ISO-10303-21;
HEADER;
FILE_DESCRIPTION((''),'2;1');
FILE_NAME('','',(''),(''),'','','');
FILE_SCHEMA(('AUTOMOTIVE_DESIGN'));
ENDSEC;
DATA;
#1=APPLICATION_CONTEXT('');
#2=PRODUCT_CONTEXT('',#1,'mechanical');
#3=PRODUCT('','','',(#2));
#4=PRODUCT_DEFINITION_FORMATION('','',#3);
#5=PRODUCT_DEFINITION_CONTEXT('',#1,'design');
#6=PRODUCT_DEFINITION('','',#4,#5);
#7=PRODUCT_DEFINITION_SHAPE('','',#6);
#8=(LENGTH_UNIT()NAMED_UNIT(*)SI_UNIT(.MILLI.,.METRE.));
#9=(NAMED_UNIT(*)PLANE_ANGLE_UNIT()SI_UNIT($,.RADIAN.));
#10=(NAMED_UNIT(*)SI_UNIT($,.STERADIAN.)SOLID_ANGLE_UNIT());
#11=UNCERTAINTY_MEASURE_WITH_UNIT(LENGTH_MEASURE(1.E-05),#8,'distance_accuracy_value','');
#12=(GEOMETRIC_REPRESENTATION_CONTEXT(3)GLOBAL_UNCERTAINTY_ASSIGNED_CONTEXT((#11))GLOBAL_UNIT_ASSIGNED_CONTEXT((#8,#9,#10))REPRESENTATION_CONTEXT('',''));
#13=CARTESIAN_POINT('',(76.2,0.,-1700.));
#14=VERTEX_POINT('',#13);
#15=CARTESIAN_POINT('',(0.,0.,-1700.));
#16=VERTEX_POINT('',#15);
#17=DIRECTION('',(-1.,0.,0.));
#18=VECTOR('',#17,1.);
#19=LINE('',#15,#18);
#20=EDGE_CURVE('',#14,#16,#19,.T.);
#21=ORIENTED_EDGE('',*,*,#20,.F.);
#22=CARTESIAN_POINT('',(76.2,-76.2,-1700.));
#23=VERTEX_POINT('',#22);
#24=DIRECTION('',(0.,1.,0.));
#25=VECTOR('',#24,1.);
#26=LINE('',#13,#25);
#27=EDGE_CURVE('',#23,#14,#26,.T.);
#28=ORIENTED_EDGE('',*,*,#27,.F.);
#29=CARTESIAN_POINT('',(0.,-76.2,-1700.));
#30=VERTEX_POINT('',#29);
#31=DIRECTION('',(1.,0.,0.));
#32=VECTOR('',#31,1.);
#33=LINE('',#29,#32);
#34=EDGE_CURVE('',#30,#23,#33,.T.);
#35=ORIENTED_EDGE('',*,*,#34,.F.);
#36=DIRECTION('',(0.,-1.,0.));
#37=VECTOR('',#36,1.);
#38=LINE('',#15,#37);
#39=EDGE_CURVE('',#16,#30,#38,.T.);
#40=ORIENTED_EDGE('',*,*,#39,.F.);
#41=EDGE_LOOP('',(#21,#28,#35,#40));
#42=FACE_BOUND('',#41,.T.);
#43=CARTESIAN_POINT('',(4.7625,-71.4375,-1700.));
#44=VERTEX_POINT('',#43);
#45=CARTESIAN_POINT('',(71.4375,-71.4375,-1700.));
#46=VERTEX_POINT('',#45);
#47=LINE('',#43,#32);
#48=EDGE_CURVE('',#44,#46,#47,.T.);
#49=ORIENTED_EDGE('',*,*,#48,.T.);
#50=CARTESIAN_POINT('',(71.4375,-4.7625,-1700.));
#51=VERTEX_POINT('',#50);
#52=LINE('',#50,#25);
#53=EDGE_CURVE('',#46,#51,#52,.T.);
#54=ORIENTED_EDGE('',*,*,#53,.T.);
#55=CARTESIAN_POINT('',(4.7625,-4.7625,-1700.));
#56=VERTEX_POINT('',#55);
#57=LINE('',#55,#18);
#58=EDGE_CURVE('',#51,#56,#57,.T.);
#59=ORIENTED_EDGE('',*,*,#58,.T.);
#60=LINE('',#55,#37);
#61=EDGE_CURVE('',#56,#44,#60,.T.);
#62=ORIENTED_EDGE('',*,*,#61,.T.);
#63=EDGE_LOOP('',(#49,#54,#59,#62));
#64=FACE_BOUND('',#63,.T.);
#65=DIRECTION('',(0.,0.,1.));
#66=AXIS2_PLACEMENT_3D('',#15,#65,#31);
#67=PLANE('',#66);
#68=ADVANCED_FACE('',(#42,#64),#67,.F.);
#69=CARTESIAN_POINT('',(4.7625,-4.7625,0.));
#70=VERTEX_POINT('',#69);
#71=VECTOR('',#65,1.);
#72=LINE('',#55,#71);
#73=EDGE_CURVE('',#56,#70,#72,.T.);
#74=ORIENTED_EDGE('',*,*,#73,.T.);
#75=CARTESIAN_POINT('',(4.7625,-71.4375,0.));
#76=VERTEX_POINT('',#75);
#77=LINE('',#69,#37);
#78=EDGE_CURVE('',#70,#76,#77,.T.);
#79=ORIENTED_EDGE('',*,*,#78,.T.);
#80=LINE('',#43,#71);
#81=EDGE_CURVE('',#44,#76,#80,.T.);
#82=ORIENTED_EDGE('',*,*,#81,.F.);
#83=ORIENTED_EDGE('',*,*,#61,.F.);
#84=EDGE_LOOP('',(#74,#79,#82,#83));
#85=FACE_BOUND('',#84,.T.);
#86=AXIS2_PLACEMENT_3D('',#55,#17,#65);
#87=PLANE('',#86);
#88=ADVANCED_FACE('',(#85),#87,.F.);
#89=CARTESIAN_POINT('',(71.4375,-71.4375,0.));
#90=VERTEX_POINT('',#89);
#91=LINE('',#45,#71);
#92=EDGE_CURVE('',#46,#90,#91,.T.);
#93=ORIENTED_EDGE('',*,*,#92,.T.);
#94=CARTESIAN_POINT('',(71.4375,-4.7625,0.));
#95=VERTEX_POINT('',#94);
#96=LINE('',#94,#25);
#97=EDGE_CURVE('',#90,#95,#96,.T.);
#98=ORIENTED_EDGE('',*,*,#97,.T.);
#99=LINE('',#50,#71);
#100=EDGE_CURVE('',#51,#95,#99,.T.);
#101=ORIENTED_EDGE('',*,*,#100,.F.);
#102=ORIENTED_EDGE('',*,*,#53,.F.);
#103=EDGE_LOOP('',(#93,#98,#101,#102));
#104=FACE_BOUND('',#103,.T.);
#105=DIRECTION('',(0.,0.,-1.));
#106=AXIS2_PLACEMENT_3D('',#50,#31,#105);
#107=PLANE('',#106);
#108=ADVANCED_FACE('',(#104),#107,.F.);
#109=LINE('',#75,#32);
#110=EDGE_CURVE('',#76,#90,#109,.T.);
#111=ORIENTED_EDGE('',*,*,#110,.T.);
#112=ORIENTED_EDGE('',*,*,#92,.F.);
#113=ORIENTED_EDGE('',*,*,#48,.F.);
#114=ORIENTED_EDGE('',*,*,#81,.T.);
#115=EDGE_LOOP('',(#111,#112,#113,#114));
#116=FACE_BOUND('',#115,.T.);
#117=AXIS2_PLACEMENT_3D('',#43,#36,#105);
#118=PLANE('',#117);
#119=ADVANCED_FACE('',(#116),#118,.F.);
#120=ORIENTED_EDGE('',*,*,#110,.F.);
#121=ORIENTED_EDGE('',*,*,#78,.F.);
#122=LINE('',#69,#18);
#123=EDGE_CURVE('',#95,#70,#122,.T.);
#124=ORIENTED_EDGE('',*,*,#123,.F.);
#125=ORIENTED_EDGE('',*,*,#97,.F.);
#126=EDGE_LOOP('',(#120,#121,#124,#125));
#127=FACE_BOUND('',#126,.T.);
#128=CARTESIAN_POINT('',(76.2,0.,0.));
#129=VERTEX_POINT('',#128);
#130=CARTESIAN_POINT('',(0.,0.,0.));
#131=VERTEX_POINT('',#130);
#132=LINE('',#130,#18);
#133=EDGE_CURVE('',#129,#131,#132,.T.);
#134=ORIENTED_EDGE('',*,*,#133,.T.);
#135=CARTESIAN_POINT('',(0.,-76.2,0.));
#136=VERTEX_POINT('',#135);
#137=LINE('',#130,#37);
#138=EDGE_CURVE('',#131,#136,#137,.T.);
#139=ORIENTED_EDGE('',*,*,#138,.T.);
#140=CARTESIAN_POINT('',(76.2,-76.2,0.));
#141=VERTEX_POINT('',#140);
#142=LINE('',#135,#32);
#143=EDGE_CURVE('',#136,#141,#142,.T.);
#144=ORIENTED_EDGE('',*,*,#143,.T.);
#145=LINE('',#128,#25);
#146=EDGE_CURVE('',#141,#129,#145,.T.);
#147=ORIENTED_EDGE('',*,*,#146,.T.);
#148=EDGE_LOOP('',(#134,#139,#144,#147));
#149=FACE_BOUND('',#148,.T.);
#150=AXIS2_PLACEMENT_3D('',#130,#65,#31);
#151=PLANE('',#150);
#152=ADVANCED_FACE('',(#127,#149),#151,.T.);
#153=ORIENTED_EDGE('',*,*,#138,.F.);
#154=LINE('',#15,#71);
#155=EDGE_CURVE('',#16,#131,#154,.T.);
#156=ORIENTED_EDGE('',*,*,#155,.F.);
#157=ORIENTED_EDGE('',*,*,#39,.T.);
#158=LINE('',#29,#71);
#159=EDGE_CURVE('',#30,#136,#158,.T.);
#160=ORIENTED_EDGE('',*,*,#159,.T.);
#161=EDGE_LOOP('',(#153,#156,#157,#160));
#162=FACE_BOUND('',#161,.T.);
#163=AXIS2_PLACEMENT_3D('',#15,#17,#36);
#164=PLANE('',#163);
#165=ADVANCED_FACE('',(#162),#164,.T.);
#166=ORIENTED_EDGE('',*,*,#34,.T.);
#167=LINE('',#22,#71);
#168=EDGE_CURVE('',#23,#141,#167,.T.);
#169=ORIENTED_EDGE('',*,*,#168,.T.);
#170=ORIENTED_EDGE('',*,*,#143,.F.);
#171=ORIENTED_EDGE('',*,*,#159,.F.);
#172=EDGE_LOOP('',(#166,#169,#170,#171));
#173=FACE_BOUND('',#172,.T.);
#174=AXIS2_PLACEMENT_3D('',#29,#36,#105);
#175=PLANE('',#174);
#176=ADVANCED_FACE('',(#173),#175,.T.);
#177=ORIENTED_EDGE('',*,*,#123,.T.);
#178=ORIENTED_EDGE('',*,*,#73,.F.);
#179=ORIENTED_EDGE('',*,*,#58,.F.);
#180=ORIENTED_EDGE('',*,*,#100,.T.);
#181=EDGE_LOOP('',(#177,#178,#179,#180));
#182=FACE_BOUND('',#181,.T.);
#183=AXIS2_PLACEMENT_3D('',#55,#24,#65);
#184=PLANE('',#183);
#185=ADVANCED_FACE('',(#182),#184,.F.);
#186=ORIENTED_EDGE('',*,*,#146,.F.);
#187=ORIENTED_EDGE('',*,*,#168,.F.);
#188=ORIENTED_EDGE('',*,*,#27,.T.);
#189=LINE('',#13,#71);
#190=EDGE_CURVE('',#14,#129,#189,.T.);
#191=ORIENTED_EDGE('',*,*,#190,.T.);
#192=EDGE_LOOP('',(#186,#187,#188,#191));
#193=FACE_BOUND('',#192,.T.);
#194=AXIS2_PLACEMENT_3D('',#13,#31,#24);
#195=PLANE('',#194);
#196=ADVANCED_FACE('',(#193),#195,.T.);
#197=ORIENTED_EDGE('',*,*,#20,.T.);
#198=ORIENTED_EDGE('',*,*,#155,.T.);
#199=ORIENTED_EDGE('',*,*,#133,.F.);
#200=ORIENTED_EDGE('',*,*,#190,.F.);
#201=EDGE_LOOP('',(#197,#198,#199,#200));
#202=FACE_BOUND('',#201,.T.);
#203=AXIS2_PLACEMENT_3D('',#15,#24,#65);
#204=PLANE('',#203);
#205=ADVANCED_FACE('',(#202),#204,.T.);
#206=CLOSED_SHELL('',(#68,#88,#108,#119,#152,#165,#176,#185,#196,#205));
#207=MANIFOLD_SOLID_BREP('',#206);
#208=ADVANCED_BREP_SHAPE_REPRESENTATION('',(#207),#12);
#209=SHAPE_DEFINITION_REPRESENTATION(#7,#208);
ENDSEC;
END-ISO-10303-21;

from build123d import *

# Parameters (mm, degrees)
CROQUIS2_W              = 76.2
CROQUIS2_H              = 76.2
CROQUIS2_W_2            = 66.675
CROQUIS2_H_2            = 66.675
SALIENTE_EXTRUIR1_DEPTH = 1700


with BuildPart() as part:
    # Croquis2 → Saliente-Extruir1 (new body)
    with BuildSketch(Plane.XY):
        with Locations((38.1, -38.1)):
            Rectangle(CROQUIS2_W, CROQUIS2_H)
        with Locations((38.1, -38.1)):
            Rectangle(CROQUIS2_W_2, CROQUIS2_H_2, mode=Mode.SUBTRACT)
    extrude(amount=-SALIENTE_EXTRUIR1_DEPTH)


solid = part.part
